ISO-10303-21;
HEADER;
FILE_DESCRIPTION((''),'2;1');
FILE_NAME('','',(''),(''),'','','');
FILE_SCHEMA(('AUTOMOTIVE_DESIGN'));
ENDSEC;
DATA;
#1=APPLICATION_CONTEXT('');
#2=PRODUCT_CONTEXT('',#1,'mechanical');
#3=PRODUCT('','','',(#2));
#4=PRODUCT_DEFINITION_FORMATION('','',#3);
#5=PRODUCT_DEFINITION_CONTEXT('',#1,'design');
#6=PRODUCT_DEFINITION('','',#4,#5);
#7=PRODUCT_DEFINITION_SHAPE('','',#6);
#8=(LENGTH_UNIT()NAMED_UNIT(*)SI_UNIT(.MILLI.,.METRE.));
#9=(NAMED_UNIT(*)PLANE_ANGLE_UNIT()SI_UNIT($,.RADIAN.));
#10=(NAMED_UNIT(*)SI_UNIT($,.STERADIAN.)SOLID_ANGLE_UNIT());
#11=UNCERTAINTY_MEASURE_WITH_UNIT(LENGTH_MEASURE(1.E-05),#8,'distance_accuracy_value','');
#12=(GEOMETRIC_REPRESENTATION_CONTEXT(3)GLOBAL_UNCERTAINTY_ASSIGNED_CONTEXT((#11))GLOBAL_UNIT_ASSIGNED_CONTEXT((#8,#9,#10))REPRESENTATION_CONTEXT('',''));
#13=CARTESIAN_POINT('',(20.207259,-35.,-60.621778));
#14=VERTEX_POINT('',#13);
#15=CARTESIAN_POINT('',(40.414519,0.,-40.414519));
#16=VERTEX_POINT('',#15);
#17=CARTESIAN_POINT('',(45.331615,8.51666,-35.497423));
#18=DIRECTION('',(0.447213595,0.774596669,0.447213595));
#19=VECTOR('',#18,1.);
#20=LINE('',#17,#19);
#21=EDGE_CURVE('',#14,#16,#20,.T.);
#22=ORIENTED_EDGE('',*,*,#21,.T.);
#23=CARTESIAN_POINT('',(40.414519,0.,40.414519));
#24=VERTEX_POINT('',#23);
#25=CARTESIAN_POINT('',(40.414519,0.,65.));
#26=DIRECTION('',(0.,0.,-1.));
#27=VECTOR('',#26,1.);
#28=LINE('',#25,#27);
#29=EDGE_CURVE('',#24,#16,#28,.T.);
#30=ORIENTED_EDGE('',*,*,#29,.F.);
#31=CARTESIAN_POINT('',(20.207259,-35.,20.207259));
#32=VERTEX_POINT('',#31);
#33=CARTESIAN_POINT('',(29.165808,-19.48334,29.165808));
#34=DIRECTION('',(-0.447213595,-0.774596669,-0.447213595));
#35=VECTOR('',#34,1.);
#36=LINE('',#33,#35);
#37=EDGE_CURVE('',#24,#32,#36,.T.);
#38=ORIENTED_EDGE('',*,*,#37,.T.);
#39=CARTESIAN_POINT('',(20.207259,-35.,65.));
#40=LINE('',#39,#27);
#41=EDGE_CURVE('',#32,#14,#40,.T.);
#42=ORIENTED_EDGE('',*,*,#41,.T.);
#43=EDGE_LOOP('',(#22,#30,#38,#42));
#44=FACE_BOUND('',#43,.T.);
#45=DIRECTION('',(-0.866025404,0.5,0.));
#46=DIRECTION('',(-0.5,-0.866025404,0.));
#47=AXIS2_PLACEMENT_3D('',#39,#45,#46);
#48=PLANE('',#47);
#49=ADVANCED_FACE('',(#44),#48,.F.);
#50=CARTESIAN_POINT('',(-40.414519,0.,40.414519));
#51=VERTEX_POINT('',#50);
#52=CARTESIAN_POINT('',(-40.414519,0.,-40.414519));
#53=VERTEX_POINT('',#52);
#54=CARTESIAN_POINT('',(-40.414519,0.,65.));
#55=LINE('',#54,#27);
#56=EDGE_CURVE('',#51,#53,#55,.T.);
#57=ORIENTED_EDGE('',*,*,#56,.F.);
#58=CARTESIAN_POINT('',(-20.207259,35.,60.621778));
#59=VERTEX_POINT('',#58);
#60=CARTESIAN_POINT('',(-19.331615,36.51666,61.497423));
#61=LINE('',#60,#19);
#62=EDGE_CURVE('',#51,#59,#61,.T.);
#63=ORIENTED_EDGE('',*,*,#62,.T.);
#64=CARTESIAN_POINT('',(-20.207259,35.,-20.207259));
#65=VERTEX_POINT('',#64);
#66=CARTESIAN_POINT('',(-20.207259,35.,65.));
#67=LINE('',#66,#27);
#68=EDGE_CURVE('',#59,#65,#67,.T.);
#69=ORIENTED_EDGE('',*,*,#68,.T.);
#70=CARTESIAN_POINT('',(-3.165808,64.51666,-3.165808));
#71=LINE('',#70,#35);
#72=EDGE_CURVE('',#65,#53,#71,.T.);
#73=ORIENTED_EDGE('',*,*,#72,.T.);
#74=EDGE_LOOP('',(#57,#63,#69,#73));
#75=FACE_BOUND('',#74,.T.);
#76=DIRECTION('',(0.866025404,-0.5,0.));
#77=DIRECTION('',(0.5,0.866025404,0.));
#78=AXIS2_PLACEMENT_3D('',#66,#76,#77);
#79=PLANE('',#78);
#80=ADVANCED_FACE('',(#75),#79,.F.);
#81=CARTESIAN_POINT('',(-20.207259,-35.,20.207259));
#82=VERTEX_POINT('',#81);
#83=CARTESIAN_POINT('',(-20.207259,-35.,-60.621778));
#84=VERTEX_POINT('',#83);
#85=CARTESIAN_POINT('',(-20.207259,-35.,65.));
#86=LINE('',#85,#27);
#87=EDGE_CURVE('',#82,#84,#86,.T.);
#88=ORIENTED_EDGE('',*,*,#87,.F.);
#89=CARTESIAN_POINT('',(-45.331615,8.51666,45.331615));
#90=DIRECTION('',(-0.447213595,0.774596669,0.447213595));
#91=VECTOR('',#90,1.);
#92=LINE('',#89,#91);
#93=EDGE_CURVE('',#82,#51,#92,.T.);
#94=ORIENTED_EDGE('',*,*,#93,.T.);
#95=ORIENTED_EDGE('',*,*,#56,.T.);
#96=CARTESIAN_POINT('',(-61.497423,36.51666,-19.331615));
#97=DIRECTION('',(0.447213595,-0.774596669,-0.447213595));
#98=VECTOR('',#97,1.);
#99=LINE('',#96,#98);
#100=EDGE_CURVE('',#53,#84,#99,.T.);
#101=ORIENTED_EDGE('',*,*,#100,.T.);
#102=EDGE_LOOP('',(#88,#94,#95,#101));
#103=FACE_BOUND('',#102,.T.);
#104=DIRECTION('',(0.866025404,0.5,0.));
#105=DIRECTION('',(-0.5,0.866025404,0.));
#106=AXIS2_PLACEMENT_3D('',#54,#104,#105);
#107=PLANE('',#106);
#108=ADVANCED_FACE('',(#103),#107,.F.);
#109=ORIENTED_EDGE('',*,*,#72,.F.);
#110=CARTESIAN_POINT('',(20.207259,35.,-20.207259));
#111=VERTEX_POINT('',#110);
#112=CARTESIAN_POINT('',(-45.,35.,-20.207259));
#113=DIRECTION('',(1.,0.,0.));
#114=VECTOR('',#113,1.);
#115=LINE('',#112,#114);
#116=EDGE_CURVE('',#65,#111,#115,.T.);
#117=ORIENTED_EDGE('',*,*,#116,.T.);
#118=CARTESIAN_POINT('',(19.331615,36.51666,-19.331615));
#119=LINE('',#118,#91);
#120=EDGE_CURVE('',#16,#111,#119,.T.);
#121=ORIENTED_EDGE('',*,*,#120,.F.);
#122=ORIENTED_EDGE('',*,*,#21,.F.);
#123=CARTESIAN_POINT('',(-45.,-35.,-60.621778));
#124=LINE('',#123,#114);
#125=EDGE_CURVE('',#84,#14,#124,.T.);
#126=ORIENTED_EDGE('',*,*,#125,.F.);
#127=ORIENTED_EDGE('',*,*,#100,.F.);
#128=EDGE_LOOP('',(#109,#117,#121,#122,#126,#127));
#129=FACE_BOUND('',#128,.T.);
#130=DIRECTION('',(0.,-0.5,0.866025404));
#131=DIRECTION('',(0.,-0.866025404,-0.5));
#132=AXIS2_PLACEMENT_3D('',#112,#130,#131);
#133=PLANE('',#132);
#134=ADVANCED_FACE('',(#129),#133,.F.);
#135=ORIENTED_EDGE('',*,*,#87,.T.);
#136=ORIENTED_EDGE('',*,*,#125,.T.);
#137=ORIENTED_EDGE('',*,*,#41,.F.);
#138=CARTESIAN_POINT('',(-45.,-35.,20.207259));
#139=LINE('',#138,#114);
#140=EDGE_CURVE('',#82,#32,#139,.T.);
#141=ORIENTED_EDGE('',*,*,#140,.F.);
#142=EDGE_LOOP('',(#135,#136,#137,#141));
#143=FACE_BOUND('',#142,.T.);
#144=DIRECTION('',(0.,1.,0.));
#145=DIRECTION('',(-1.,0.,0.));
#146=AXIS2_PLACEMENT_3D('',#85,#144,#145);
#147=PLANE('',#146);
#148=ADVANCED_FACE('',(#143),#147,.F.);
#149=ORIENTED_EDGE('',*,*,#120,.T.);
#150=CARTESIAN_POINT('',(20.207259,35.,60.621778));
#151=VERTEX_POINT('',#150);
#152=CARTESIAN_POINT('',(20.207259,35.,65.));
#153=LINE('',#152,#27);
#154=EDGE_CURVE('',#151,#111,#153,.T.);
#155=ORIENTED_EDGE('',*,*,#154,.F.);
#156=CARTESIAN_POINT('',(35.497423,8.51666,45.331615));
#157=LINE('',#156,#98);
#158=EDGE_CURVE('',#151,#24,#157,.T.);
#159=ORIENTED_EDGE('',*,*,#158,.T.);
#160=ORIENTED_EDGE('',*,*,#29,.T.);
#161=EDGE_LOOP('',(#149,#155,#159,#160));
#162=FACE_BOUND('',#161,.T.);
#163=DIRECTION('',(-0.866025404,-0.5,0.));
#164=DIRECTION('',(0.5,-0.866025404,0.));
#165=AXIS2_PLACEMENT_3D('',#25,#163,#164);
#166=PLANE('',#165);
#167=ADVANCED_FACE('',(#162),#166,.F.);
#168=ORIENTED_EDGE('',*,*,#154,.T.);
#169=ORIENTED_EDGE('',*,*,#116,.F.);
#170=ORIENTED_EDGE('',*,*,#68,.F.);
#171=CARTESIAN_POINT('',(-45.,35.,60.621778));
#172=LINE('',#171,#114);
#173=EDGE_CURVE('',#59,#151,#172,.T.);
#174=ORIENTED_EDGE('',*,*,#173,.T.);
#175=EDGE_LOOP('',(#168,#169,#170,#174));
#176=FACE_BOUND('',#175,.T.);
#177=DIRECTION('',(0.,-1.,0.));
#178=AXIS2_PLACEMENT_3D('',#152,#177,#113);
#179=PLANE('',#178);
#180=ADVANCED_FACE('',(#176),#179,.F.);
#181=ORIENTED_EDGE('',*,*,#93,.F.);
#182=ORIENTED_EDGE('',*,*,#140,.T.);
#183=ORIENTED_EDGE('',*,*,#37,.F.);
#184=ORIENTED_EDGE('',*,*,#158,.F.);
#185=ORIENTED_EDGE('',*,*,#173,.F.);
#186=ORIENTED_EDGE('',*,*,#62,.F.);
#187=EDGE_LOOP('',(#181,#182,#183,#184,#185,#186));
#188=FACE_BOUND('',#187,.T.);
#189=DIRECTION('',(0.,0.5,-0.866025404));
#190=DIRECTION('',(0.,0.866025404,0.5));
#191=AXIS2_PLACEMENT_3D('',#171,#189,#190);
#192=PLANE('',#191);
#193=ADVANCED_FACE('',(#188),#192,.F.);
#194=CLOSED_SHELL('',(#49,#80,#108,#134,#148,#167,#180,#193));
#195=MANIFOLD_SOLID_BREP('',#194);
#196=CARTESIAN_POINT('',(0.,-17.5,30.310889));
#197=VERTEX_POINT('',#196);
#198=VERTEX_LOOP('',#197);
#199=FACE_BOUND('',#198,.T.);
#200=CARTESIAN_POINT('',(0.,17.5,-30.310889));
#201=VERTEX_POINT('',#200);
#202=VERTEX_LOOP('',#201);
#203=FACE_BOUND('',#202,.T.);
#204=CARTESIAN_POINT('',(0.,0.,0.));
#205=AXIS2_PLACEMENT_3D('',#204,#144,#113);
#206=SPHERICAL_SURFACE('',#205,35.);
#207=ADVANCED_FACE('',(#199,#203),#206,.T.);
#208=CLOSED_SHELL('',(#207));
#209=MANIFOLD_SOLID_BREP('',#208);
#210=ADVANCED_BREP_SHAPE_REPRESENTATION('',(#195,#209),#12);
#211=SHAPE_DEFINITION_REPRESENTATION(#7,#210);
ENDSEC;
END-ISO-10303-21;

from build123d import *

# Parameters (mm, degrees)
EXTRUDE1_DEPTH     = 65
CUT_EXTRUDE1_DEPTH = 45


with BuildPart() as part:
    # Sketch1 → Extrude1 (new body, symmetric)
    with BuildSketch(Plane.XY):
        Polygon((40.414518843, 0), (20.207259422, 35), (-20.207259422, 35), (-40.414518843, 0), (-20.207259422, -35), (20.207259422, -35), align=None)
    extrude(amount=EXTRUDE1_DEPTH, both=True)

    # Sketch3 → Cut-Extrude1 (cut, symmetric)
    with BuildSketch(Plane(origin=(0, 0, 0), x_dir=(0, 0, -1), z_dir=(1, 0, 0))):
        Polygon((65, -35), (65, 35), (20.207259422, 35), (60.621778265, -35), align=None)
        Polygon((-60.621778265, 35), (-20.207259422, -35), (-65, -35), (-65, 35), align=None)
    extrude(amount=CUT_EXTRUDE1_DEPTH, both=True, mode=Mode.SUBTRACT)


with BuildPart() as body_2:
    # Sketch2 → Revolve1 (revolve)
    with BuildSketch(Plane.XY):
        with BuildLine():
            Line((0, 35), (0, -35))
            ThreePointArc((0, -35), (35, 0), (0, 35))
        make_face()
    revolve(axis=Axis((0, 35, 0), (0, -1, 0)))


solid = Compound([part.part, body_2.part])
